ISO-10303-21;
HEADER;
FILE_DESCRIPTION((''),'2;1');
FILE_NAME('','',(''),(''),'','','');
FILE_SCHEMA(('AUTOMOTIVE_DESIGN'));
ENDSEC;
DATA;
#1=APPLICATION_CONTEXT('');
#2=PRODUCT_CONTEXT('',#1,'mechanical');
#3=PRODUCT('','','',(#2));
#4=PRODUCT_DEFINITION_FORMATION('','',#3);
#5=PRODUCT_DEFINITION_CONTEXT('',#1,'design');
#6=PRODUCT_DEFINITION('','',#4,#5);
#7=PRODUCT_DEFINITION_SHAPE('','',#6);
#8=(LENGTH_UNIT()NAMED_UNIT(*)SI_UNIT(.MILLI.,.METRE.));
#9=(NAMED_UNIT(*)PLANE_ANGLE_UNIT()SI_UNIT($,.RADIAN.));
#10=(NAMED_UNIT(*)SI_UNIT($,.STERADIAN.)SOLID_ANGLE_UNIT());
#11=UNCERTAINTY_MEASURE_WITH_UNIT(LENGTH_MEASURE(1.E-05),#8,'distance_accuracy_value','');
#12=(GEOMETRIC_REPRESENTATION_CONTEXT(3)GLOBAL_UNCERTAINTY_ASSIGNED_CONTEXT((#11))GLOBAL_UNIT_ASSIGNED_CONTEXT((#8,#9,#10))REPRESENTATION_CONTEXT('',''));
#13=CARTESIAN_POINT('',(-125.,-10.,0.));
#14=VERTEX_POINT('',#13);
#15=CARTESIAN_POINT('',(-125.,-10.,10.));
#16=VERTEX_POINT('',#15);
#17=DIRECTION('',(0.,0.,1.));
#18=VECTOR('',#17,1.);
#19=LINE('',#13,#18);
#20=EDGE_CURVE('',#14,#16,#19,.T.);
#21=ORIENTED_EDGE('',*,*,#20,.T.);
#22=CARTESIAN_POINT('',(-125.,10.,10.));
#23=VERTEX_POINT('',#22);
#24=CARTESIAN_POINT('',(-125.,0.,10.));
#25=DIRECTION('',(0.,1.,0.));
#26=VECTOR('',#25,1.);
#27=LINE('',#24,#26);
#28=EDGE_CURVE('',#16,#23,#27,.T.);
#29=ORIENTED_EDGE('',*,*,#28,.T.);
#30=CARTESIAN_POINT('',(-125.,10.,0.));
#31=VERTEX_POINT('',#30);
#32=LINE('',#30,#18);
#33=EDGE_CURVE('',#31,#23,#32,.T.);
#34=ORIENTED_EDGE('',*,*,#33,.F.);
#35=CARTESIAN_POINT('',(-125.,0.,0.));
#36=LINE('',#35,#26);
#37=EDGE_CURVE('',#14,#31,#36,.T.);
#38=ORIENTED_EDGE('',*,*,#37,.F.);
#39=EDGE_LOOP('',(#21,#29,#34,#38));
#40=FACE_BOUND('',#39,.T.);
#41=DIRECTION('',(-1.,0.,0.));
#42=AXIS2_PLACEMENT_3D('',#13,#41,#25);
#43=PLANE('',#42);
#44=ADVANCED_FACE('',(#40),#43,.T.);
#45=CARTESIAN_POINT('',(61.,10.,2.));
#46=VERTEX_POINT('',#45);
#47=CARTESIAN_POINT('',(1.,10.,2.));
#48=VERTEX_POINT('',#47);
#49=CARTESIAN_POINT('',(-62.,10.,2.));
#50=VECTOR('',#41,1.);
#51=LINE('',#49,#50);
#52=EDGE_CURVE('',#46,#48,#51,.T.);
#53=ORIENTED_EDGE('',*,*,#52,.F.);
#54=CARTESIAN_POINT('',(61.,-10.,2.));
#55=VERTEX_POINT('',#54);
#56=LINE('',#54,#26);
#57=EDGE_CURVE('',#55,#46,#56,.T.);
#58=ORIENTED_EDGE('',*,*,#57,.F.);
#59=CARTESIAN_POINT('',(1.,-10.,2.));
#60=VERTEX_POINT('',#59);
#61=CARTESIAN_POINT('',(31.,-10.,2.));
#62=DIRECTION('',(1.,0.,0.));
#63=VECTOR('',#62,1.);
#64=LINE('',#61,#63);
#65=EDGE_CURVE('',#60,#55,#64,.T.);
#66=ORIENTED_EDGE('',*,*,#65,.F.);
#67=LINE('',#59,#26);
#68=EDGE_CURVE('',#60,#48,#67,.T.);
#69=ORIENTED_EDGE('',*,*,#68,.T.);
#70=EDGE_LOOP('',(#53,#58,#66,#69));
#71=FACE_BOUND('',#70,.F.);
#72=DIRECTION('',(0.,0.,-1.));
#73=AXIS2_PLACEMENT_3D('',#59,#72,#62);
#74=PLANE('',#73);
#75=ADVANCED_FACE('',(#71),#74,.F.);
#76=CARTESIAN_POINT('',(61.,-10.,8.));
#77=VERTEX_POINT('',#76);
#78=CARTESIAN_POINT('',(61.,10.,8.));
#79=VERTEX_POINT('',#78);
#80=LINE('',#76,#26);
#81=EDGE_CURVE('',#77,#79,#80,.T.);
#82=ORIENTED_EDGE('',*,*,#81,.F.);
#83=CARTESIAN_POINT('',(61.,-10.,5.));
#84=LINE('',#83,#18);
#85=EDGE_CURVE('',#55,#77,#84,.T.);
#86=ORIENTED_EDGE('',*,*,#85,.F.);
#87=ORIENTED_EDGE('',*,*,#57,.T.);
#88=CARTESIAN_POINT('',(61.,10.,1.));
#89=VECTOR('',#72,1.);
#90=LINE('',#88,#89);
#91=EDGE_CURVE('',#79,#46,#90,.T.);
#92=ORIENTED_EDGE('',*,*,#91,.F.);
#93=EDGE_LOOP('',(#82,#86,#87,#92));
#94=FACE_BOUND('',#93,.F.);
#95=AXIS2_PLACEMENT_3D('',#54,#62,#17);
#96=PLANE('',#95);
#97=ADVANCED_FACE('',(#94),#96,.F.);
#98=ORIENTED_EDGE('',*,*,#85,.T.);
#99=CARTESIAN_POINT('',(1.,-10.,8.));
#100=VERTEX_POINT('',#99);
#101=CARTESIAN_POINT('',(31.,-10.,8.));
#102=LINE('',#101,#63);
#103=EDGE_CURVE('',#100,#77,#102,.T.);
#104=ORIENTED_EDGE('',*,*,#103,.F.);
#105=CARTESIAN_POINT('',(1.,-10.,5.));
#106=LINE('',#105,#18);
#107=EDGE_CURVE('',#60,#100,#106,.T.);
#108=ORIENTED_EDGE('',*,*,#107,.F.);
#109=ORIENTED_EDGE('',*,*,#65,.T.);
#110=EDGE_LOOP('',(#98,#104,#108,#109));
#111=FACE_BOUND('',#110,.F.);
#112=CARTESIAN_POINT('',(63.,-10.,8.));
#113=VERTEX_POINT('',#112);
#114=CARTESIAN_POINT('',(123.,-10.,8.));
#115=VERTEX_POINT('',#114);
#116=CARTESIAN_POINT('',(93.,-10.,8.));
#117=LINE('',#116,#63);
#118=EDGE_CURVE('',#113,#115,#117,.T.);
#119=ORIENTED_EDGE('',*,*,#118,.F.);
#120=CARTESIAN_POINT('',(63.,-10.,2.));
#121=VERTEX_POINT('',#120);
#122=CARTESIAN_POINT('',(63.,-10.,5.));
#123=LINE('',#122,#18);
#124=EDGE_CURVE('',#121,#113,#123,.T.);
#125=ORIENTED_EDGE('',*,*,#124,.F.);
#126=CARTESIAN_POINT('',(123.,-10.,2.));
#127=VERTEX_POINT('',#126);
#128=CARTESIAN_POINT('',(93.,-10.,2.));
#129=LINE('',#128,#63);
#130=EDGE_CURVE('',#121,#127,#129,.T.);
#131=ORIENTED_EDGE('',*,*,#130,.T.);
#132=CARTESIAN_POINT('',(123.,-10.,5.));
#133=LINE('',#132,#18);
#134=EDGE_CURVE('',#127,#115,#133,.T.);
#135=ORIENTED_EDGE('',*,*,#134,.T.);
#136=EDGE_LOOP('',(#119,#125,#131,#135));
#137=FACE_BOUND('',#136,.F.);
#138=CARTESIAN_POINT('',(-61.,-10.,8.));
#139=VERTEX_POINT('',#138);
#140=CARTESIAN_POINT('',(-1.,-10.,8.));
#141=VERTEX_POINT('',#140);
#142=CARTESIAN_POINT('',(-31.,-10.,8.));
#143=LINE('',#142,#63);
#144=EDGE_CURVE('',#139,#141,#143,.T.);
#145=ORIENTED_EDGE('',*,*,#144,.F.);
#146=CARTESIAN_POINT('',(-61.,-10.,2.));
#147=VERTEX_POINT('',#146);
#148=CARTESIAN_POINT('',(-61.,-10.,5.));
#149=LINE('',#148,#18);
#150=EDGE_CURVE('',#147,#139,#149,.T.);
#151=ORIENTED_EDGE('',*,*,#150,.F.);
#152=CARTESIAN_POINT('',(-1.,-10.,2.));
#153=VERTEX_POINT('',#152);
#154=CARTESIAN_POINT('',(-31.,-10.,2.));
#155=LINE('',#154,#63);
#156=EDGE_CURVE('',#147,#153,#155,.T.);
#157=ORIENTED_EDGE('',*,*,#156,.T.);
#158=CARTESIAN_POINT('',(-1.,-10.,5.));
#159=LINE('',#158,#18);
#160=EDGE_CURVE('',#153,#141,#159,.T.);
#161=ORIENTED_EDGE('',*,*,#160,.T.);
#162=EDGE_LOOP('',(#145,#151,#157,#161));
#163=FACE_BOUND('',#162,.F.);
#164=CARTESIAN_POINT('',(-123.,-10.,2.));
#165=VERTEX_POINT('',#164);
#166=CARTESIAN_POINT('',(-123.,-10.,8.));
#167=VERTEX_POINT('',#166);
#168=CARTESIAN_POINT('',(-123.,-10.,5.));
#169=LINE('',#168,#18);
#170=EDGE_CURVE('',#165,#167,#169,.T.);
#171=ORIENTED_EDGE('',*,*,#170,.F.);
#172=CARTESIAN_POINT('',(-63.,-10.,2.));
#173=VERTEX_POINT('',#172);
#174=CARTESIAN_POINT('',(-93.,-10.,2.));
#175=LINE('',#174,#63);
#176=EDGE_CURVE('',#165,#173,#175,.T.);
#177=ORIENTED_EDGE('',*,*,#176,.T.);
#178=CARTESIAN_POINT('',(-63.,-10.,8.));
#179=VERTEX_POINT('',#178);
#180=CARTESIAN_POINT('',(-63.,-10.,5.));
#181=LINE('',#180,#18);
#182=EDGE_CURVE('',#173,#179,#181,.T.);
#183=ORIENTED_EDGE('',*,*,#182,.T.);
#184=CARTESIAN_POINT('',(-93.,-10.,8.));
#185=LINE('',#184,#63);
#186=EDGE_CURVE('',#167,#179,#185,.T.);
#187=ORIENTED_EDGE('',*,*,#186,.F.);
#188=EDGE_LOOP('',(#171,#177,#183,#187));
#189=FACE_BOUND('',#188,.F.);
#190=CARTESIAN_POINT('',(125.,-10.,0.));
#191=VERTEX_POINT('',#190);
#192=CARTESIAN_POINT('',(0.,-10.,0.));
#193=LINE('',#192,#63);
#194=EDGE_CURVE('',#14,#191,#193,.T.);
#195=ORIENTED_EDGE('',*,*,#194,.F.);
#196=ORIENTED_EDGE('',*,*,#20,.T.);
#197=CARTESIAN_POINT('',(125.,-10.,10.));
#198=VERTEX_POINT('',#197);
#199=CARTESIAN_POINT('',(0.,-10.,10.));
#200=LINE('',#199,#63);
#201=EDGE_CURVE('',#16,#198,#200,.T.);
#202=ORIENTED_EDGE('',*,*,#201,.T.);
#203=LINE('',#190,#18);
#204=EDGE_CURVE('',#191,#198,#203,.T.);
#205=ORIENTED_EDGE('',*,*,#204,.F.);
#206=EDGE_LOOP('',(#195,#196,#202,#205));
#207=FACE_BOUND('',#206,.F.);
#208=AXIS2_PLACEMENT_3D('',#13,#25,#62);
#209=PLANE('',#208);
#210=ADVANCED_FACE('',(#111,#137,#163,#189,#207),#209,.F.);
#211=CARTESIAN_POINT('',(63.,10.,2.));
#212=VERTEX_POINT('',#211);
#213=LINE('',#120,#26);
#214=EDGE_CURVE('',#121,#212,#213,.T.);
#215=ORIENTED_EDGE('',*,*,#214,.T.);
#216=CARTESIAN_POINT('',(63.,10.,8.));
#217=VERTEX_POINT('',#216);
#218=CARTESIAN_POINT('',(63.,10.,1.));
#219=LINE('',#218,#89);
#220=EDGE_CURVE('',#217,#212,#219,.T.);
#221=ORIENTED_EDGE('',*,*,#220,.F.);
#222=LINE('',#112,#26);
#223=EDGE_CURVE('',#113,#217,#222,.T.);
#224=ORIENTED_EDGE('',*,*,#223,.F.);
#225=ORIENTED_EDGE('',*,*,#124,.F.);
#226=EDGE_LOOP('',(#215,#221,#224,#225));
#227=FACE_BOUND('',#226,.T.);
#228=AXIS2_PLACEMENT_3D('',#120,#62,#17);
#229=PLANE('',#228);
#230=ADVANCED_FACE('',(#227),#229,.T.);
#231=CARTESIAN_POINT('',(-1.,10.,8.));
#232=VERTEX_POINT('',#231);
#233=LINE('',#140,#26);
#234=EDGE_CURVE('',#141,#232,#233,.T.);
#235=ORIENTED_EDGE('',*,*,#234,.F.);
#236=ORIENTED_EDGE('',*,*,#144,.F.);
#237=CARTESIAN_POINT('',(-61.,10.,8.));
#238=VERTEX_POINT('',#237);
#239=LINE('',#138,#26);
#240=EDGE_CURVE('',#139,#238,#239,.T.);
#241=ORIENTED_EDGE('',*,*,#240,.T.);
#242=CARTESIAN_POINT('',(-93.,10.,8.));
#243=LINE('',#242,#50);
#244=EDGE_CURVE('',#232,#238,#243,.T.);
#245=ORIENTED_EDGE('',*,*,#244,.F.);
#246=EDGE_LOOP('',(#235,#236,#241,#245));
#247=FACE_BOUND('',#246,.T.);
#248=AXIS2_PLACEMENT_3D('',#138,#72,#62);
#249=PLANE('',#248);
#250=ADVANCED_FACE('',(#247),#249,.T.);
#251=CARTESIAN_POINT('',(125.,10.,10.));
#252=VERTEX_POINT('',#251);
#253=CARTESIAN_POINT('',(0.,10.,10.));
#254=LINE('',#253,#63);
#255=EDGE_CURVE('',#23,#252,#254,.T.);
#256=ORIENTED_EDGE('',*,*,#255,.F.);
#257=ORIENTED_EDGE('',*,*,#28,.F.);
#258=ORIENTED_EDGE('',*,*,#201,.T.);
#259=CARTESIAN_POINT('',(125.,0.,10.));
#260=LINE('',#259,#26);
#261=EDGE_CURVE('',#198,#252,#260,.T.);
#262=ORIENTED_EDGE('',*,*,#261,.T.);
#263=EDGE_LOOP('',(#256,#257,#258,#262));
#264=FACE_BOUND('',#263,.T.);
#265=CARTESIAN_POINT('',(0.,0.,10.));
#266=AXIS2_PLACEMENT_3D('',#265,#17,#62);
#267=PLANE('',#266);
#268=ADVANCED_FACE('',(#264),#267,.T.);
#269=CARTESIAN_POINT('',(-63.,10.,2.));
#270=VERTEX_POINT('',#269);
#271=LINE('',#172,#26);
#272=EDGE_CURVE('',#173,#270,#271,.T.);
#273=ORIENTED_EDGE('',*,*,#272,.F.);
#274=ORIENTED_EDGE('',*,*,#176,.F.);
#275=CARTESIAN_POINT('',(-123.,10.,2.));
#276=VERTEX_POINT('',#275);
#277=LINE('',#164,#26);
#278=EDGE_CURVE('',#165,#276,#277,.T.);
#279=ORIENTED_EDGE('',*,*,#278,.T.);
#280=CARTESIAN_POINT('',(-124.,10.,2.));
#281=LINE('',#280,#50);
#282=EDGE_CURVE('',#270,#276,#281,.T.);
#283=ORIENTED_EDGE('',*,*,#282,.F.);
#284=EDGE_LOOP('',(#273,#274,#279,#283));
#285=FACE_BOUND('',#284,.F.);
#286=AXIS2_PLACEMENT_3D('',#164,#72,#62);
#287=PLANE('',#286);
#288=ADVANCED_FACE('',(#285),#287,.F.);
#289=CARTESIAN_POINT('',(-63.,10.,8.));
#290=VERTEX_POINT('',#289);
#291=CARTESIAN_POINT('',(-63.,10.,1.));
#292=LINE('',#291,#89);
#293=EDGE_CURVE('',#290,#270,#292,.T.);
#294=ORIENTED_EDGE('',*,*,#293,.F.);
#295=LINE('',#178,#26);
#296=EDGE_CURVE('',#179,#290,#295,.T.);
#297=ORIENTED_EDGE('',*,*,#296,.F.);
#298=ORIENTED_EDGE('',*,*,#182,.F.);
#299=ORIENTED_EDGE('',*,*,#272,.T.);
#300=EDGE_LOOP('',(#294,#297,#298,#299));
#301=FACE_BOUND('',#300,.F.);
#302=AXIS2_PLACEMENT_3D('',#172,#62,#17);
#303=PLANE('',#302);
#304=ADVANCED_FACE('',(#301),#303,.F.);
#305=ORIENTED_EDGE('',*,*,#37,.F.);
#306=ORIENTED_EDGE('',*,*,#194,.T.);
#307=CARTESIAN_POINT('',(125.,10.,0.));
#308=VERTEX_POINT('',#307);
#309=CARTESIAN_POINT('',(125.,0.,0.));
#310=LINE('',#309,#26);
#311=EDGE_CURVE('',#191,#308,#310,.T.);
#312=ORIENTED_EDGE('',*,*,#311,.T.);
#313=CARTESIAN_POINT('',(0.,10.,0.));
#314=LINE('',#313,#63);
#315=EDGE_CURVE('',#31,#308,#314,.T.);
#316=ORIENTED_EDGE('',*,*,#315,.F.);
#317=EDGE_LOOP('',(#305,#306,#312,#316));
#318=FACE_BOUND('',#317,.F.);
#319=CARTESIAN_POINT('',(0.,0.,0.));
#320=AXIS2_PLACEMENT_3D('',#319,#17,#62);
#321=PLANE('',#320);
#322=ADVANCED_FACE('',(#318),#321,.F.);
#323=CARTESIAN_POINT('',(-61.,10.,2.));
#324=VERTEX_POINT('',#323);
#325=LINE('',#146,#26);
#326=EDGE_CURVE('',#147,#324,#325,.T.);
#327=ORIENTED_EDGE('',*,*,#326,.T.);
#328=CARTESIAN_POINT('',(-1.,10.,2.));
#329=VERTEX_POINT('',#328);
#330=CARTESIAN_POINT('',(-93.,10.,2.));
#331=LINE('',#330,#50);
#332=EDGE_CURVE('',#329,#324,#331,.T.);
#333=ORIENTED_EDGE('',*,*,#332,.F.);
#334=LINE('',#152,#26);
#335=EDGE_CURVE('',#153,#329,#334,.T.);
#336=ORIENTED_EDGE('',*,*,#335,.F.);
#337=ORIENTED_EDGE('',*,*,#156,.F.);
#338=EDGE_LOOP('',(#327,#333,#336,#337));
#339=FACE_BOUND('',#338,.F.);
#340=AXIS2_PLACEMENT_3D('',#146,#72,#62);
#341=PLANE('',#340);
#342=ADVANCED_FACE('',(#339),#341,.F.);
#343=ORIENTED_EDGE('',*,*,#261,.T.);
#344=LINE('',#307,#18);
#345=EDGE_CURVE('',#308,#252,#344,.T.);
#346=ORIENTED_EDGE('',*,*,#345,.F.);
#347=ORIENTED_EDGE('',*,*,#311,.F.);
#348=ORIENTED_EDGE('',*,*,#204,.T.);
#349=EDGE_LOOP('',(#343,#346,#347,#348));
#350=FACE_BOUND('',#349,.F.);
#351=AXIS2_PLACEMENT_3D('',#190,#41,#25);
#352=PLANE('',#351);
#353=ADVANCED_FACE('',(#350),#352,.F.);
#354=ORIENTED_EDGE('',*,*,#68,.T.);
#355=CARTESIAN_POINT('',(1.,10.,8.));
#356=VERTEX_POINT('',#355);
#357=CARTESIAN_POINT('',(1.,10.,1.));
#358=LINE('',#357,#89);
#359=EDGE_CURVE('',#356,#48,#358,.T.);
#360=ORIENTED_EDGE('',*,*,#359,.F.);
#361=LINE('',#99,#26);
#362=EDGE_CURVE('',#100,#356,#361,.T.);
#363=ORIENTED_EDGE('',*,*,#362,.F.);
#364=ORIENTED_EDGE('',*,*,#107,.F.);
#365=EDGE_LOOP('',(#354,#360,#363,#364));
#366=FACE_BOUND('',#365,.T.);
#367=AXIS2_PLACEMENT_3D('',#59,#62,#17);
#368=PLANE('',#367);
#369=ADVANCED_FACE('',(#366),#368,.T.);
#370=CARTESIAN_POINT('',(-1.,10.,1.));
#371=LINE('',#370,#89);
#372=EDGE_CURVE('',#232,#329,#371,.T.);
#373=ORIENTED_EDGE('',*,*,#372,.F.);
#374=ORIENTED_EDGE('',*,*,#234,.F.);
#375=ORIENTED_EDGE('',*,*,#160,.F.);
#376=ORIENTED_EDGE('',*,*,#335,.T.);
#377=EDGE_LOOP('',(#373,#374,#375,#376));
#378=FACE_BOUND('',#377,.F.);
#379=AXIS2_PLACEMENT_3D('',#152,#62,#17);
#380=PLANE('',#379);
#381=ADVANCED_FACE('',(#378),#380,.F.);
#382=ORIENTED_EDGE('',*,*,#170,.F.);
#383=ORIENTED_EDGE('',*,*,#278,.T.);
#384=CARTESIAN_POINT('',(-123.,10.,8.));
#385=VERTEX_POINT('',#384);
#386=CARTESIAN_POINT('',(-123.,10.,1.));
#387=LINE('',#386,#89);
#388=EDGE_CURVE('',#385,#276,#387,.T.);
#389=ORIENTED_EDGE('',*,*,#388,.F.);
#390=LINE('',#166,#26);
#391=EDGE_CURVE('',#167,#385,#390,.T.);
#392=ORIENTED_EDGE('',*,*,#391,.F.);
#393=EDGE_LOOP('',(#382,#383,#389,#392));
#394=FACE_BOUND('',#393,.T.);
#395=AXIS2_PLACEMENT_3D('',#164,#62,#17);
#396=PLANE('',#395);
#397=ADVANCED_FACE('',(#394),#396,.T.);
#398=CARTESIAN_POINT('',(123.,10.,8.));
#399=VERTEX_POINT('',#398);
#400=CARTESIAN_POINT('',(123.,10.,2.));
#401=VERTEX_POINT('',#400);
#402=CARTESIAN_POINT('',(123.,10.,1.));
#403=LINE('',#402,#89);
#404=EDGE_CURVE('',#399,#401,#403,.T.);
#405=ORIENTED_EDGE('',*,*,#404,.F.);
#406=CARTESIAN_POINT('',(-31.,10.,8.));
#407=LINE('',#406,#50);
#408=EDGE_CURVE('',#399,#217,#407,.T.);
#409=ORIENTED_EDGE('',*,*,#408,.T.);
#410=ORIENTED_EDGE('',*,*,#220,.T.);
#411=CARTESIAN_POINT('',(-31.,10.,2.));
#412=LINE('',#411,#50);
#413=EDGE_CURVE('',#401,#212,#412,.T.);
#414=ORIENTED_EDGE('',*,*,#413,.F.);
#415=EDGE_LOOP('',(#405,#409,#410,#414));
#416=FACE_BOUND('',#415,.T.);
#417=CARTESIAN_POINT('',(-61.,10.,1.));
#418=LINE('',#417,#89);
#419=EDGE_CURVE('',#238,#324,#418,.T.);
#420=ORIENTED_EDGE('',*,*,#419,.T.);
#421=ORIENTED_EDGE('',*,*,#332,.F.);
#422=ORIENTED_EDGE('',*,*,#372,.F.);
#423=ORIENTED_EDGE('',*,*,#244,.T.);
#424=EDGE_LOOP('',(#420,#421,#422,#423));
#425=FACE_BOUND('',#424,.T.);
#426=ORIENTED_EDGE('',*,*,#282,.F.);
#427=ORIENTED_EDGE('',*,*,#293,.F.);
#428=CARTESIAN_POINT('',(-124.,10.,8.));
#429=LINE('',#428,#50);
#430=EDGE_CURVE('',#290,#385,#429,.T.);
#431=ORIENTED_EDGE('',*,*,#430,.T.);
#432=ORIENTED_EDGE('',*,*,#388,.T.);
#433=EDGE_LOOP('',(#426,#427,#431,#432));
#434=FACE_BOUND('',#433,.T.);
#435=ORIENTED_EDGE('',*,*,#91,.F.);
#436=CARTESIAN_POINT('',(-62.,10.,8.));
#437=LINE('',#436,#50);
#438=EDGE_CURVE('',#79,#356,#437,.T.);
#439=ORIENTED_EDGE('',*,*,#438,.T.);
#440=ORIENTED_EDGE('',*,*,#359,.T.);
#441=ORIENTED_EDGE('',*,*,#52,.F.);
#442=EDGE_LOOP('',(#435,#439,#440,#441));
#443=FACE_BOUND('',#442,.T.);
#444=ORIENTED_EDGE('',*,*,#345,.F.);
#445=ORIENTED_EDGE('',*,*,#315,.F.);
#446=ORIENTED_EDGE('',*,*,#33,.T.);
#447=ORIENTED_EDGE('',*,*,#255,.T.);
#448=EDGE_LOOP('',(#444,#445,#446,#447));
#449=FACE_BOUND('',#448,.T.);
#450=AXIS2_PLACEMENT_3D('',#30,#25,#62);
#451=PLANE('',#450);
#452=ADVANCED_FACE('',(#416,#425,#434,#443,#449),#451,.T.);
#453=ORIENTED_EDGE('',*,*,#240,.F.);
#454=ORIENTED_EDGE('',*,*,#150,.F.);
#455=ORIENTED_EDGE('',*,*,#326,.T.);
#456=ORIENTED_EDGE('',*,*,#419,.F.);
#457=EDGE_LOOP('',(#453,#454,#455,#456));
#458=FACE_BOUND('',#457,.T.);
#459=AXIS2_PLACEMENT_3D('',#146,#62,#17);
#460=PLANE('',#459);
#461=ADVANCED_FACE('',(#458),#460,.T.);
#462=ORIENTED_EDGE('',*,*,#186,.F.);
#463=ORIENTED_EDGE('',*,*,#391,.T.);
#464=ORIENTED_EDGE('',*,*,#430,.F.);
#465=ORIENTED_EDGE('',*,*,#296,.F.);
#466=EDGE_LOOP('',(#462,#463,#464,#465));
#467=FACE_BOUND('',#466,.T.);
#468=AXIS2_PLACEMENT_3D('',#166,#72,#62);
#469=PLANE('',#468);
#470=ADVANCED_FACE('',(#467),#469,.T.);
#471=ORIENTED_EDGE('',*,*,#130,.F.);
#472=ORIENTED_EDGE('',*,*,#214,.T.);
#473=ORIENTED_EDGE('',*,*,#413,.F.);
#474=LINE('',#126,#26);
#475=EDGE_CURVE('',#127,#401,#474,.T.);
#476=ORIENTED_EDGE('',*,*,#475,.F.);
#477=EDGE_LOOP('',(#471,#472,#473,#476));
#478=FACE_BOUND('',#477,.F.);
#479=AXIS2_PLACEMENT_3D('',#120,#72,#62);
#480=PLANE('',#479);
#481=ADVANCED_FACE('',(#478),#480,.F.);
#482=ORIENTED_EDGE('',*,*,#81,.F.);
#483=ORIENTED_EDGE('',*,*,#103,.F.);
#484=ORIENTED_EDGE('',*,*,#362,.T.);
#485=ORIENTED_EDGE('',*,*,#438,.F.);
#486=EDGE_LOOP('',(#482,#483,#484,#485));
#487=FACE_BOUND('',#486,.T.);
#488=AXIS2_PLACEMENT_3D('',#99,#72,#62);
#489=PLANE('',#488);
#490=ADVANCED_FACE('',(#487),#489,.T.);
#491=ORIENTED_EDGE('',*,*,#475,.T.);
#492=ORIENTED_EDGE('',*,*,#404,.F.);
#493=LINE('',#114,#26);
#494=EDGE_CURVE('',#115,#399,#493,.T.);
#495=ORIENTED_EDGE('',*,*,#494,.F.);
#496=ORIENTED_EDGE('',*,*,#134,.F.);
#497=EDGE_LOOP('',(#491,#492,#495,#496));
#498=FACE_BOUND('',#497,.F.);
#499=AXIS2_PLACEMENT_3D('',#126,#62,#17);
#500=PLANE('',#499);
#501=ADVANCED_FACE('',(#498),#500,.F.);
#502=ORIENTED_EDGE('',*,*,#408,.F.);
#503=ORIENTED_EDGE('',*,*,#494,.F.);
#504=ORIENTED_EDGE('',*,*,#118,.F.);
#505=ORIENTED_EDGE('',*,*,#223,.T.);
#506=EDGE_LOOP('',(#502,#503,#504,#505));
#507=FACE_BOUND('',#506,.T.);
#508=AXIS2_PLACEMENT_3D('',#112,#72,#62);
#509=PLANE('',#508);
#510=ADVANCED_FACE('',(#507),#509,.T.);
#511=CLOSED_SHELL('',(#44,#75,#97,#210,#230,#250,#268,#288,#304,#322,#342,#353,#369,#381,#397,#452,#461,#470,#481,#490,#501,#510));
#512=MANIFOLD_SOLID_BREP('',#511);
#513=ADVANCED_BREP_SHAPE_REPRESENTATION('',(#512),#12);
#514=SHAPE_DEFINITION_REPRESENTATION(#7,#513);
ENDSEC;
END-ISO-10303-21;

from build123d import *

# Parameters (mm, degrees)
SKETCH_W            = 250
SKETCH_H            = 20
PAD_DEPTH           = 10
SKETCH001_W         = 60
SKETCH001_H         = 6
POCKET_DEPTH        = 20.001
LINEARPATTERN_COUNT = 4
LINEARPATTERN_PITCH = 62


with BuildPart() as part:
    # Sketch → Pad (new body)
    with BuildSketch(Plane.XY):
        Rectangle(SKETCH_W, SKETCH_H)
    extrude(amount=PAD_DEPTH)

    # Sketch001 (on Face1 of Pad) → Pocket (cut, through all)
    with BuildSketch(Plane.XZ.offset(10)):
        with Locations((-93, 5)):
            Rectangle(SKETCH001_W, SKETCH001_H)
    pocket = extrude(amount=-POCKET_DEPTH, mode=Mode.SUBTRACT)

    # LinearPattern: Pocket ×4
    with Locations(*[(i * LINEARPATTERN_PITCH, 0, 0) for i in range(1, LINEARPATTERN_COUNT)]):
        add(pocket, mode=Mode.SUBTRACT)


solid = part.part
